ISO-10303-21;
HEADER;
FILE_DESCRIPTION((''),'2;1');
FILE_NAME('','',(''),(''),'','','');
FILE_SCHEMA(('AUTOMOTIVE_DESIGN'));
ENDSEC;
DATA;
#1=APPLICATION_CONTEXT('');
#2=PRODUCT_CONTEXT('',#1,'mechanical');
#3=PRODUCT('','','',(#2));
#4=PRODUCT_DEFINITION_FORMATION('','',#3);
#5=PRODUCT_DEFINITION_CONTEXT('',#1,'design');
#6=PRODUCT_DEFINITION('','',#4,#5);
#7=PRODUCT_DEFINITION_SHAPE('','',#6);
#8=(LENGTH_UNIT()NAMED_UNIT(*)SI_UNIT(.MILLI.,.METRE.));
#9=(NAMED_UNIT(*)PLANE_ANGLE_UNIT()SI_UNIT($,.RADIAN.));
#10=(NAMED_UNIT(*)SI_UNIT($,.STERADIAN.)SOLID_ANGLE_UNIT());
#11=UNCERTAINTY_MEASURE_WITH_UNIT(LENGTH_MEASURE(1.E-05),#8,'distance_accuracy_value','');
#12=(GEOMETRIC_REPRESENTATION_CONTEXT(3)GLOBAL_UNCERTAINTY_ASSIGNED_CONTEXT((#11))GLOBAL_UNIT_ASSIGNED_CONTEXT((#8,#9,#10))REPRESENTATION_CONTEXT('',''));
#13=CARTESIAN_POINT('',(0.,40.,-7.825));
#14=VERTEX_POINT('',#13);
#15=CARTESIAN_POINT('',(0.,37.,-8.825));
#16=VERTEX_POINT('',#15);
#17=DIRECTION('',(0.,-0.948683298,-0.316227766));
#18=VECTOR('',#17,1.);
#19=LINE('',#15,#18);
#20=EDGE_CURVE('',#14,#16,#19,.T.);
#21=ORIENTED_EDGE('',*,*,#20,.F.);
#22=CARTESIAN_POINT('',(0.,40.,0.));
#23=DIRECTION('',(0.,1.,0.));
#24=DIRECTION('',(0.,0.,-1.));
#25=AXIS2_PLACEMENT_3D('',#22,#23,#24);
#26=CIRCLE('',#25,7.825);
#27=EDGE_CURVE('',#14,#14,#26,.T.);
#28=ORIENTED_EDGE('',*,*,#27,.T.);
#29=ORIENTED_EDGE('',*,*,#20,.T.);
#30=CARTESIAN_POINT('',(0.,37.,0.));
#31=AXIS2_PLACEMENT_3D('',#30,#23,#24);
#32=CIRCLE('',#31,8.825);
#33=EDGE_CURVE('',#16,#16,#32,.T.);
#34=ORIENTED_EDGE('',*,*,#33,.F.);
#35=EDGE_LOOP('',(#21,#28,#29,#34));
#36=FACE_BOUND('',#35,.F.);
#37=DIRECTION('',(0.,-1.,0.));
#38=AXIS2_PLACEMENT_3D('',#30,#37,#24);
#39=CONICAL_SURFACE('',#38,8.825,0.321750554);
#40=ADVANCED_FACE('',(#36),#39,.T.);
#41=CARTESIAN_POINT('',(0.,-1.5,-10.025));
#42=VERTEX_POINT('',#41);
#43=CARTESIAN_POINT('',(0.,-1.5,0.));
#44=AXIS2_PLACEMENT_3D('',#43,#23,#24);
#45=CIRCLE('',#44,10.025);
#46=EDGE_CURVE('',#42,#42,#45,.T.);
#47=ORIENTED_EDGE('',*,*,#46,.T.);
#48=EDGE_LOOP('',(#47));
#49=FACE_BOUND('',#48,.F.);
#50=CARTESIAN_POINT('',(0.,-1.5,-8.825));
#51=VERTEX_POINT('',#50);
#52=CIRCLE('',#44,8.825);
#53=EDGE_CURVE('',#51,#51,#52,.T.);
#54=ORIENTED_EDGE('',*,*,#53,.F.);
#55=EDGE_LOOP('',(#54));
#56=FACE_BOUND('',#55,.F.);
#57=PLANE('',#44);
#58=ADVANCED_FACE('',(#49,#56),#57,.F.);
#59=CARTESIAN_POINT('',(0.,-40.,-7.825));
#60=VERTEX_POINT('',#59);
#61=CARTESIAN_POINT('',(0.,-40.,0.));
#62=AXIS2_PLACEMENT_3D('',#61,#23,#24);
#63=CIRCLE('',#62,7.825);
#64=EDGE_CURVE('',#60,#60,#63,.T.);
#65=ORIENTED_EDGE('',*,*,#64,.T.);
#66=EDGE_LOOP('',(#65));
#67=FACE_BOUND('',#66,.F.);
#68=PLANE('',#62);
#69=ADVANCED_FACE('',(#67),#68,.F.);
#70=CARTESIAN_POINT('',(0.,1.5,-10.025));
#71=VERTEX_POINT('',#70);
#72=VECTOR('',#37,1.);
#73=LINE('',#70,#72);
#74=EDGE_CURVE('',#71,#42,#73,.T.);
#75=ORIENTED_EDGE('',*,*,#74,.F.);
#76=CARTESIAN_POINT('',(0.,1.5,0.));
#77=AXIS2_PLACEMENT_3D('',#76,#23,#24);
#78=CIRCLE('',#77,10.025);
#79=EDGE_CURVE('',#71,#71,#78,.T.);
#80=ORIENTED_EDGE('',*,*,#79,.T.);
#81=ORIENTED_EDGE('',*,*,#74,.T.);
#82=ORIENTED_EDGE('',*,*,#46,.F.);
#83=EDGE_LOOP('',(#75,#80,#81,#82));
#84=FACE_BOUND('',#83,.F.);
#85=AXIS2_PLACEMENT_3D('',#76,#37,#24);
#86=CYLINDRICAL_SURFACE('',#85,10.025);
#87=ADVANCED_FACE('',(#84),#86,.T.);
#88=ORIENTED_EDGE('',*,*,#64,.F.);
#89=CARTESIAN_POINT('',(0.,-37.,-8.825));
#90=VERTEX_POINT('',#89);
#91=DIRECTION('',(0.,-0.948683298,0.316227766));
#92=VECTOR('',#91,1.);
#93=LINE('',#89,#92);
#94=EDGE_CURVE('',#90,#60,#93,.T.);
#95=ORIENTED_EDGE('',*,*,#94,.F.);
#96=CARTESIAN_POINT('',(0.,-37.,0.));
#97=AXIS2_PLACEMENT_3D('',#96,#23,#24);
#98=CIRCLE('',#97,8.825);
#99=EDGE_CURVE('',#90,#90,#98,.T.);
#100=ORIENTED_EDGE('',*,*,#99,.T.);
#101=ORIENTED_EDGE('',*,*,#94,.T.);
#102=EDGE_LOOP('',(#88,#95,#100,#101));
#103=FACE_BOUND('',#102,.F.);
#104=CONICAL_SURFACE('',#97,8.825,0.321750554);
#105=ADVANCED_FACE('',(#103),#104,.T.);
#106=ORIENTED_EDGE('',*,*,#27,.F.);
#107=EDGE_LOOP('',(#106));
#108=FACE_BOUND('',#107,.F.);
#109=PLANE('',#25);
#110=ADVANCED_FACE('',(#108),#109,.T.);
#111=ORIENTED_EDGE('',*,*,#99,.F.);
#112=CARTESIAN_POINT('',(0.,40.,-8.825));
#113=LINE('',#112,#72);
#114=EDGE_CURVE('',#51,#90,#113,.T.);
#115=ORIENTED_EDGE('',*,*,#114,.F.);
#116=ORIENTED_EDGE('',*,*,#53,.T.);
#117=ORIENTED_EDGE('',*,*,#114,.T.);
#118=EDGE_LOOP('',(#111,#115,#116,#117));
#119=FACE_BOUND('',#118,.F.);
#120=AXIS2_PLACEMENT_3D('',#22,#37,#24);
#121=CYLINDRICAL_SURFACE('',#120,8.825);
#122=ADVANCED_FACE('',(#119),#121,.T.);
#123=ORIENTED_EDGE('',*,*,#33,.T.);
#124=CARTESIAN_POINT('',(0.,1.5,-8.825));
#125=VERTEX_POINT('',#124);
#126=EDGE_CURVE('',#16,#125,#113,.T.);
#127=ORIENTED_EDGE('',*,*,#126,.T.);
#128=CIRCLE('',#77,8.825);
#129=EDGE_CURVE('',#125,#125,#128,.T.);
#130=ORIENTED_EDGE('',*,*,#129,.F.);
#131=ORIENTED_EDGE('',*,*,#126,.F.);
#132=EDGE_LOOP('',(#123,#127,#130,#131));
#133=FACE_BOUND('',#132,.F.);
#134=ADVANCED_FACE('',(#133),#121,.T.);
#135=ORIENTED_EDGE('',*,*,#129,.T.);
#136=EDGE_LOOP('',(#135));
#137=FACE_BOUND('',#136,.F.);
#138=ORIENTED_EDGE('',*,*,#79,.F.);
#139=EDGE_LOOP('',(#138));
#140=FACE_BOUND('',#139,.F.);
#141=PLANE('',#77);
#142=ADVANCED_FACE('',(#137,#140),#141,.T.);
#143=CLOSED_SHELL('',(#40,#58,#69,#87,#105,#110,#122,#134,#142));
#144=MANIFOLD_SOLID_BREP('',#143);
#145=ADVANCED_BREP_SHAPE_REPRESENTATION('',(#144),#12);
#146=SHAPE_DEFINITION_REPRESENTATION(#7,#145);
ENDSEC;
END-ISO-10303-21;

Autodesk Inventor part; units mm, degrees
ref_plane "YZ Plane" through (0, 0, 0) normal (1, 0, 0) x (0, 1, 0)
ref_plane "XZ Plane" through (0, 0, 0) normal (0, 1, 0) x (-1, 0, 0)
ref_plane "XY Plane" through (0, 0, 0) normal (0, 0, 1) x (1, 0, 0)
sketch "Sketch2" plane through (0, 0, 0) normal (1, 0, 0) x (0, 1, 0)
  line L0 (0, 0) -> (59.3152, 0)
  line L1 (-40, 0) -> (40, 0)
  line L2 (40, 0) -> (40, -8.825)
  line L3 (40, -8.825) -> (-40, -8.825)
  line L4 (-40, -8.825) -> (-40, 0)
  line L5 (-1.5, -8.825) -> (1.5, -8.825)
  line L6 (1.5, -8.825) -> (1.5, -10.025)
  line L7 (1.5, -10.025) -> (-1.5, -10.025)
  line L8 (-1.5, -10.025) -> (-1.5, -8.825)
  point P0 (0, -10.025)
  point P1 (0, -8.825)
  dimension "d2" = 8.825
  dimension "d3" = 40
  dimension "d4" = 40
  dimension "d5" = 3
  dimension "d6" = 10.025
revolve "Revolution1" add sketch "Sketch2" angle 360 about axis through (0, 0, 0) along (0, 1, 0)
chamfer "Chamfer1" distance 1 distance2 3 1 edges at (0, 40, 8.825) measured on face at (2.071, 40, -2.6902)
chamfer "Chamfer2" distance 3 distance2 1 1 edges at (0, -40, 8.825) measured on face at (1.4156, -27.1667, -8.7107)
properties part number "stange_verbinder"
